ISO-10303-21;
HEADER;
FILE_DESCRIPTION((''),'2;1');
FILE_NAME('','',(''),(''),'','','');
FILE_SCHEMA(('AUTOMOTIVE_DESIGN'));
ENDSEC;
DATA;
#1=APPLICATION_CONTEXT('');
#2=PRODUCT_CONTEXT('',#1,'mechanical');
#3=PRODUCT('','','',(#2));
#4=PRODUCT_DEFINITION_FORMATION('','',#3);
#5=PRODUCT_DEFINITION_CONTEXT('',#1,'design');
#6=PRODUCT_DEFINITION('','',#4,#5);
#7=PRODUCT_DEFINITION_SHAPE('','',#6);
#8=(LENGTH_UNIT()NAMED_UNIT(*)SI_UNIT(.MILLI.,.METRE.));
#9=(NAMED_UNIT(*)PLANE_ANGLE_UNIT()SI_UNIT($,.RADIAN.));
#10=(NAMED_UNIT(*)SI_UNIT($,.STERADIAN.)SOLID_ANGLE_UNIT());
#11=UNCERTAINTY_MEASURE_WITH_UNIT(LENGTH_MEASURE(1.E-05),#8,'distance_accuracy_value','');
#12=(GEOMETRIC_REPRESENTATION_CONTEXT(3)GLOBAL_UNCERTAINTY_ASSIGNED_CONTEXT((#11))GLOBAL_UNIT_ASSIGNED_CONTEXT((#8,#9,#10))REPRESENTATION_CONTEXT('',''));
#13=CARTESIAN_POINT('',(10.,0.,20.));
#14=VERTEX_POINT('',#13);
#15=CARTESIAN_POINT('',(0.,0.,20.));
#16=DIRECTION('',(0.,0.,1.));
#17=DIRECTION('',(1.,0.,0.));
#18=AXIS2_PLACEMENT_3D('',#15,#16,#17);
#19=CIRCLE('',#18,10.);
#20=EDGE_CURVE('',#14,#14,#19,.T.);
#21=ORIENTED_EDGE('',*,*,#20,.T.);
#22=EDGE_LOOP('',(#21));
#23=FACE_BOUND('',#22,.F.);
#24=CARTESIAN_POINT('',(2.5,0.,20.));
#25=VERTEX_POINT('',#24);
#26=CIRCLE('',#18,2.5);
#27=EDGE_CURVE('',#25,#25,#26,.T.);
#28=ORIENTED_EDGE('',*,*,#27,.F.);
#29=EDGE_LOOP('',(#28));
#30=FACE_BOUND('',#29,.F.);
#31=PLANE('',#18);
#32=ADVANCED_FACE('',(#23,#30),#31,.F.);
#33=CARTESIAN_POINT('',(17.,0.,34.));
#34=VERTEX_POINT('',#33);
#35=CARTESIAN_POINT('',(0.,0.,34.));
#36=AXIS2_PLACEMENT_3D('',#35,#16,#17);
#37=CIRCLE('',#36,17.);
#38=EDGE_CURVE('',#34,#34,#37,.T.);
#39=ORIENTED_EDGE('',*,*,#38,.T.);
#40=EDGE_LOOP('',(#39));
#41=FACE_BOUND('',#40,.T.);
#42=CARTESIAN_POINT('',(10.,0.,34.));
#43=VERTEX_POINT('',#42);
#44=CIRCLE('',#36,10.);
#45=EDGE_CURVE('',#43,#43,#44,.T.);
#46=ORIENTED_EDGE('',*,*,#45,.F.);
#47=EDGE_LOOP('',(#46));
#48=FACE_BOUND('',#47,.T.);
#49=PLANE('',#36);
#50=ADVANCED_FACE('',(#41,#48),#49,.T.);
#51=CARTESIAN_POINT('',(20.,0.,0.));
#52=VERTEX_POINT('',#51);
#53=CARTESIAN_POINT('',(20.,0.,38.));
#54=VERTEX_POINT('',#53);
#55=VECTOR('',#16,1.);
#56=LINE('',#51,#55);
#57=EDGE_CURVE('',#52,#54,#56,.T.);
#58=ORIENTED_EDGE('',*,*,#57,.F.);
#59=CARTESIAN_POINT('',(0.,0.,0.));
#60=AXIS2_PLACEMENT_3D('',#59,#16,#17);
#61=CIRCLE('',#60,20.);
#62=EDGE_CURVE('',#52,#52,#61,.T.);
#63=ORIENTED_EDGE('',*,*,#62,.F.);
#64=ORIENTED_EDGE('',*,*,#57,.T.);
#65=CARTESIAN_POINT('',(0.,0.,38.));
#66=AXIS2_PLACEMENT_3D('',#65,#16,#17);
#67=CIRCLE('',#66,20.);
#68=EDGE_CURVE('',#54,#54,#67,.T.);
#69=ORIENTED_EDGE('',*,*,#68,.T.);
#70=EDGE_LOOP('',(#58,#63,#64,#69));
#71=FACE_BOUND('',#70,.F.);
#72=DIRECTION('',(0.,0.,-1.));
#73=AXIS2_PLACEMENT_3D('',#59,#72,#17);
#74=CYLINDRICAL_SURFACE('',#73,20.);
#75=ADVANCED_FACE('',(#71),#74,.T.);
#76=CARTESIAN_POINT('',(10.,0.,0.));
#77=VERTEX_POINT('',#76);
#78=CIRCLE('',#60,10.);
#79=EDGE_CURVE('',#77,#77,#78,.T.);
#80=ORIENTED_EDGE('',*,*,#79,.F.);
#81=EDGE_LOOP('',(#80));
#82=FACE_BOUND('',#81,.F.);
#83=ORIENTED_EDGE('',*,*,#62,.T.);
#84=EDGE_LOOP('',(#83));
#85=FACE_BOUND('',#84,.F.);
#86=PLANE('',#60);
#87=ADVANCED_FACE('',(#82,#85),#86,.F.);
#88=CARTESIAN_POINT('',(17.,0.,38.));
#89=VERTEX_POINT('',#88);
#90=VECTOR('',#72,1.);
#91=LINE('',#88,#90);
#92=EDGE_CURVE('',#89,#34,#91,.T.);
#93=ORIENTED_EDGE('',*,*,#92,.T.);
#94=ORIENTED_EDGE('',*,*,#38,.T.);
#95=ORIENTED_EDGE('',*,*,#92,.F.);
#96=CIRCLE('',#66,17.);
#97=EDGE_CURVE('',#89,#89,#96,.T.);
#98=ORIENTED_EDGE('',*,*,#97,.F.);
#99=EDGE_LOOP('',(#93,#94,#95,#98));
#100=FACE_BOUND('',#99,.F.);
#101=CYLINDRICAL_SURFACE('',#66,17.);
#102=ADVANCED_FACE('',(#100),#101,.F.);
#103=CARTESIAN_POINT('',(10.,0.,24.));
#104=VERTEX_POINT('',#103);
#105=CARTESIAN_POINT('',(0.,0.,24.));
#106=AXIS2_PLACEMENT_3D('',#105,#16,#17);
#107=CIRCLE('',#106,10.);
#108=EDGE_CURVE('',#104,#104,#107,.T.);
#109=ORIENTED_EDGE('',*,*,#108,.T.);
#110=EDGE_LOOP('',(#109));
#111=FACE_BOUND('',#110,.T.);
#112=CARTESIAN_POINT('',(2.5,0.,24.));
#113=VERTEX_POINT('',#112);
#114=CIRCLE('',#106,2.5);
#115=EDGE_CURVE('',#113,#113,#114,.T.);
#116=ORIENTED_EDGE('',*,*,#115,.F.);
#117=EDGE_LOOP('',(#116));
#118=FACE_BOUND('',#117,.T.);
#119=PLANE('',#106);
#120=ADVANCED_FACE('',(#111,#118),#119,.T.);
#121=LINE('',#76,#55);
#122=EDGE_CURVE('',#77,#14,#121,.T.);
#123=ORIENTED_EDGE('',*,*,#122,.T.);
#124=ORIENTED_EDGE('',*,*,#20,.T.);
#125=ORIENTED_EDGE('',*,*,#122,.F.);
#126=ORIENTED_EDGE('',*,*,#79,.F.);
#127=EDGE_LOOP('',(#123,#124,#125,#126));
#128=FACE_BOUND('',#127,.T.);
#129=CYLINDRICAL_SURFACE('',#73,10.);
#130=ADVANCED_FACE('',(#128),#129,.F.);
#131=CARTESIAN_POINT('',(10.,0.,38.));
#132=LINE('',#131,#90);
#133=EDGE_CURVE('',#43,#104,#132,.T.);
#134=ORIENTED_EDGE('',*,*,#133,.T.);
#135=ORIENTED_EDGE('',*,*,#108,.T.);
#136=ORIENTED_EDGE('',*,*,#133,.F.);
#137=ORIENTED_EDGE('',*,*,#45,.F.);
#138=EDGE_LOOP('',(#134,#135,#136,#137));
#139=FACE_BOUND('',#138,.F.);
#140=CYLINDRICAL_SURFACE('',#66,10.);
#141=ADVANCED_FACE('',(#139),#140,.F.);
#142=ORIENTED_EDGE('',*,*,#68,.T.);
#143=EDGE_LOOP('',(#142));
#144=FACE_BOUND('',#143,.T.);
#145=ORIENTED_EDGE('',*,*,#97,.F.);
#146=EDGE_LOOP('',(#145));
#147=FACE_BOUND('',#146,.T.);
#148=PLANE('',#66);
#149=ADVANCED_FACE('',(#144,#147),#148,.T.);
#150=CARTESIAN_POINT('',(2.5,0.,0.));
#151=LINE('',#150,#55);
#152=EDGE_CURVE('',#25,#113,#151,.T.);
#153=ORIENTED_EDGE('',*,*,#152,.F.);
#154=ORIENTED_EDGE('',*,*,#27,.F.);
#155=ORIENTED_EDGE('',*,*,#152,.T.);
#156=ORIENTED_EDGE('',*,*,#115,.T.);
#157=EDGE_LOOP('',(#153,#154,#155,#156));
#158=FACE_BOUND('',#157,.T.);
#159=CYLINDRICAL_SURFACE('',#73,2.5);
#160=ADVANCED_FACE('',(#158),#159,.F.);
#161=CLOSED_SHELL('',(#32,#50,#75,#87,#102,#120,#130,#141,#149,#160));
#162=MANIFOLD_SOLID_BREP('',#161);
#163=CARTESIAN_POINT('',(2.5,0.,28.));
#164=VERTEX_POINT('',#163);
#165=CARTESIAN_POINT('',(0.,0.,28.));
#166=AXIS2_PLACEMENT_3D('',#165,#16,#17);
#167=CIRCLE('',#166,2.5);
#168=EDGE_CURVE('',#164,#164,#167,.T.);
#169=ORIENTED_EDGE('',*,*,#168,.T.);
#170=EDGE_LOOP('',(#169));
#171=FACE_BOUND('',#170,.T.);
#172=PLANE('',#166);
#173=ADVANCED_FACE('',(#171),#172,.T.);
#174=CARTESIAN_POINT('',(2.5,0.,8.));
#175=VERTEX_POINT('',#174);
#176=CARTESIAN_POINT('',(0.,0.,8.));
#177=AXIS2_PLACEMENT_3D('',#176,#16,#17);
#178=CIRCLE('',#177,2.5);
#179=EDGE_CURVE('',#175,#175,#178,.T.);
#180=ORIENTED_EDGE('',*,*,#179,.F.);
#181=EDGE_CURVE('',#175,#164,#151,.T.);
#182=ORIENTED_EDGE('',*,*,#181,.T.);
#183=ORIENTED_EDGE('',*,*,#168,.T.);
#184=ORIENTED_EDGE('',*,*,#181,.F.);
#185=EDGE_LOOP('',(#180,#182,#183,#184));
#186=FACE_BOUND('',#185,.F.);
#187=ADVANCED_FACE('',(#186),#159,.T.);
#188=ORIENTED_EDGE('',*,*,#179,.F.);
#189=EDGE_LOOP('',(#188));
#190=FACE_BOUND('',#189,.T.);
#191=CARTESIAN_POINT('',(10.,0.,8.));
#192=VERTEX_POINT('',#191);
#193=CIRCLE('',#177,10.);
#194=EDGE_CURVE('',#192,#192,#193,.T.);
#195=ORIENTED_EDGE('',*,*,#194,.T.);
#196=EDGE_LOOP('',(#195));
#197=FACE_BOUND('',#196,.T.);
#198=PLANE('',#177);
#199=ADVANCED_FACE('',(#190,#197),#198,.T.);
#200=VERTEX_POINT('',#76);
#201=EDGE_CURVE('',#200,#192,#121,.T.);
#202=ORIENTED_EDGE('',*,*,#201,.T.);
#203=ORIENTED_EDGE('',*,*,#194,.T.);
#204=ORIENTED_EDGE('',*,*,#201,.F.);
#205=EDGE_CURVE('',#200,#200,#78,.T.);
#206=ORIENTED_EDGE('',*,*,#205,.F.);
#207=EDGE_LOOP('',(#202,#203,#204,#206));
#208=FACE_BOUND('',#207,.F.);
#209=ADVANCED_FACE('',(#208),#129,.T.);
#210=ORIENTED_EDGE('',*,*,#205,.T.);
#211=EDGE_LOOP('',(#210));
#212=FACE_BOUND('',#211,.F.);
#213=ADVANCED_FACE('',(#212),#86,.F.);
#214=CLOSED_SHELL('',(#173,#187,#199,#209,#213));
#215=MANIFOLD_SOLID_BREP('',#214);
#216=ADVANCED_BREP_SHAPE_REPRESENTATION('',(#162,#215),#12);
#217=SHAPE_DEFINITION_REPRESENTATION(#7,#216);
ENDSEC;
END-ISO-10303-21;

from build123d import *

# Parameters (mm, degrees)
F0_R     = 20
F0_R_2   = 10
F0_R_3   = 2.5
F1_DEPTH = 38
F2_DEPTH = 20
F3_R     = 10
F3_R_2   = 2.5
F4_DEPTH = 14
F3_R_3   = 17
F5_DEPTH = 4
F6_DEPTH = 8
F7_DEPTH = 28


with BuildPart() as f1:
    # F0 (on Top) → F1 (new body)
    with BuildSketch(Plane.XY):
        Circle(F0_R)
        Circle(F0_R_2, mode=Mode.SUBTRACT)
        Circle(F0_R_2)
        Circle(F0_R_3, mode=Mode.SUBTRACT)
    extrude(amount=F1_DEPTH)

    # F0 (on Top) → F2 (cut)
    with BuildSketch(Plane.XY):
        Circle(F0_R_2)
        Circle(F0_R_3, mode=Mode.SUBTRACT)
    extrude(amount=F2_DEPTH, mode=Mode.SUBTRACT)

    # F3 (on face) → F4 (cut)
    with BuildSketch(Plane.XY.offset(38)):
        Circle(F3_R)
        Circle(F3_R_2, mode=Mode.SUBTRACT)
    extrude(amount=-F4_DEPTH, mode=Mode.SUBTRACT)

    # F3 (on face) → F5 (cut)
    with BuildSketch(Plane.XY.offset(38)):
        Circle(F3_R_3)
        Circle(F3_R, mode=Mode.SUBTRACT)
    extrude(amount=-F5_DEPTH, mode=Mode.SUBTRACT)


with BuildPart() as f6:
    # F0 (on Top) → F6 (new body)
    with BuildSketch(Plane.XY):
        Circle(F0_R_2)
        Circle(F0_R_3, mode=Mode.SUBTRACT)
    extrude(amount=F6_DEPTH)

    # F0 (on Top) → F7 (join)
    with BuildSketch(Plane.XY):
        Circle(F0_R_3)
    extrude(amount=F7_DEPTH)


solid = Compound([f1.part, f6.part])
